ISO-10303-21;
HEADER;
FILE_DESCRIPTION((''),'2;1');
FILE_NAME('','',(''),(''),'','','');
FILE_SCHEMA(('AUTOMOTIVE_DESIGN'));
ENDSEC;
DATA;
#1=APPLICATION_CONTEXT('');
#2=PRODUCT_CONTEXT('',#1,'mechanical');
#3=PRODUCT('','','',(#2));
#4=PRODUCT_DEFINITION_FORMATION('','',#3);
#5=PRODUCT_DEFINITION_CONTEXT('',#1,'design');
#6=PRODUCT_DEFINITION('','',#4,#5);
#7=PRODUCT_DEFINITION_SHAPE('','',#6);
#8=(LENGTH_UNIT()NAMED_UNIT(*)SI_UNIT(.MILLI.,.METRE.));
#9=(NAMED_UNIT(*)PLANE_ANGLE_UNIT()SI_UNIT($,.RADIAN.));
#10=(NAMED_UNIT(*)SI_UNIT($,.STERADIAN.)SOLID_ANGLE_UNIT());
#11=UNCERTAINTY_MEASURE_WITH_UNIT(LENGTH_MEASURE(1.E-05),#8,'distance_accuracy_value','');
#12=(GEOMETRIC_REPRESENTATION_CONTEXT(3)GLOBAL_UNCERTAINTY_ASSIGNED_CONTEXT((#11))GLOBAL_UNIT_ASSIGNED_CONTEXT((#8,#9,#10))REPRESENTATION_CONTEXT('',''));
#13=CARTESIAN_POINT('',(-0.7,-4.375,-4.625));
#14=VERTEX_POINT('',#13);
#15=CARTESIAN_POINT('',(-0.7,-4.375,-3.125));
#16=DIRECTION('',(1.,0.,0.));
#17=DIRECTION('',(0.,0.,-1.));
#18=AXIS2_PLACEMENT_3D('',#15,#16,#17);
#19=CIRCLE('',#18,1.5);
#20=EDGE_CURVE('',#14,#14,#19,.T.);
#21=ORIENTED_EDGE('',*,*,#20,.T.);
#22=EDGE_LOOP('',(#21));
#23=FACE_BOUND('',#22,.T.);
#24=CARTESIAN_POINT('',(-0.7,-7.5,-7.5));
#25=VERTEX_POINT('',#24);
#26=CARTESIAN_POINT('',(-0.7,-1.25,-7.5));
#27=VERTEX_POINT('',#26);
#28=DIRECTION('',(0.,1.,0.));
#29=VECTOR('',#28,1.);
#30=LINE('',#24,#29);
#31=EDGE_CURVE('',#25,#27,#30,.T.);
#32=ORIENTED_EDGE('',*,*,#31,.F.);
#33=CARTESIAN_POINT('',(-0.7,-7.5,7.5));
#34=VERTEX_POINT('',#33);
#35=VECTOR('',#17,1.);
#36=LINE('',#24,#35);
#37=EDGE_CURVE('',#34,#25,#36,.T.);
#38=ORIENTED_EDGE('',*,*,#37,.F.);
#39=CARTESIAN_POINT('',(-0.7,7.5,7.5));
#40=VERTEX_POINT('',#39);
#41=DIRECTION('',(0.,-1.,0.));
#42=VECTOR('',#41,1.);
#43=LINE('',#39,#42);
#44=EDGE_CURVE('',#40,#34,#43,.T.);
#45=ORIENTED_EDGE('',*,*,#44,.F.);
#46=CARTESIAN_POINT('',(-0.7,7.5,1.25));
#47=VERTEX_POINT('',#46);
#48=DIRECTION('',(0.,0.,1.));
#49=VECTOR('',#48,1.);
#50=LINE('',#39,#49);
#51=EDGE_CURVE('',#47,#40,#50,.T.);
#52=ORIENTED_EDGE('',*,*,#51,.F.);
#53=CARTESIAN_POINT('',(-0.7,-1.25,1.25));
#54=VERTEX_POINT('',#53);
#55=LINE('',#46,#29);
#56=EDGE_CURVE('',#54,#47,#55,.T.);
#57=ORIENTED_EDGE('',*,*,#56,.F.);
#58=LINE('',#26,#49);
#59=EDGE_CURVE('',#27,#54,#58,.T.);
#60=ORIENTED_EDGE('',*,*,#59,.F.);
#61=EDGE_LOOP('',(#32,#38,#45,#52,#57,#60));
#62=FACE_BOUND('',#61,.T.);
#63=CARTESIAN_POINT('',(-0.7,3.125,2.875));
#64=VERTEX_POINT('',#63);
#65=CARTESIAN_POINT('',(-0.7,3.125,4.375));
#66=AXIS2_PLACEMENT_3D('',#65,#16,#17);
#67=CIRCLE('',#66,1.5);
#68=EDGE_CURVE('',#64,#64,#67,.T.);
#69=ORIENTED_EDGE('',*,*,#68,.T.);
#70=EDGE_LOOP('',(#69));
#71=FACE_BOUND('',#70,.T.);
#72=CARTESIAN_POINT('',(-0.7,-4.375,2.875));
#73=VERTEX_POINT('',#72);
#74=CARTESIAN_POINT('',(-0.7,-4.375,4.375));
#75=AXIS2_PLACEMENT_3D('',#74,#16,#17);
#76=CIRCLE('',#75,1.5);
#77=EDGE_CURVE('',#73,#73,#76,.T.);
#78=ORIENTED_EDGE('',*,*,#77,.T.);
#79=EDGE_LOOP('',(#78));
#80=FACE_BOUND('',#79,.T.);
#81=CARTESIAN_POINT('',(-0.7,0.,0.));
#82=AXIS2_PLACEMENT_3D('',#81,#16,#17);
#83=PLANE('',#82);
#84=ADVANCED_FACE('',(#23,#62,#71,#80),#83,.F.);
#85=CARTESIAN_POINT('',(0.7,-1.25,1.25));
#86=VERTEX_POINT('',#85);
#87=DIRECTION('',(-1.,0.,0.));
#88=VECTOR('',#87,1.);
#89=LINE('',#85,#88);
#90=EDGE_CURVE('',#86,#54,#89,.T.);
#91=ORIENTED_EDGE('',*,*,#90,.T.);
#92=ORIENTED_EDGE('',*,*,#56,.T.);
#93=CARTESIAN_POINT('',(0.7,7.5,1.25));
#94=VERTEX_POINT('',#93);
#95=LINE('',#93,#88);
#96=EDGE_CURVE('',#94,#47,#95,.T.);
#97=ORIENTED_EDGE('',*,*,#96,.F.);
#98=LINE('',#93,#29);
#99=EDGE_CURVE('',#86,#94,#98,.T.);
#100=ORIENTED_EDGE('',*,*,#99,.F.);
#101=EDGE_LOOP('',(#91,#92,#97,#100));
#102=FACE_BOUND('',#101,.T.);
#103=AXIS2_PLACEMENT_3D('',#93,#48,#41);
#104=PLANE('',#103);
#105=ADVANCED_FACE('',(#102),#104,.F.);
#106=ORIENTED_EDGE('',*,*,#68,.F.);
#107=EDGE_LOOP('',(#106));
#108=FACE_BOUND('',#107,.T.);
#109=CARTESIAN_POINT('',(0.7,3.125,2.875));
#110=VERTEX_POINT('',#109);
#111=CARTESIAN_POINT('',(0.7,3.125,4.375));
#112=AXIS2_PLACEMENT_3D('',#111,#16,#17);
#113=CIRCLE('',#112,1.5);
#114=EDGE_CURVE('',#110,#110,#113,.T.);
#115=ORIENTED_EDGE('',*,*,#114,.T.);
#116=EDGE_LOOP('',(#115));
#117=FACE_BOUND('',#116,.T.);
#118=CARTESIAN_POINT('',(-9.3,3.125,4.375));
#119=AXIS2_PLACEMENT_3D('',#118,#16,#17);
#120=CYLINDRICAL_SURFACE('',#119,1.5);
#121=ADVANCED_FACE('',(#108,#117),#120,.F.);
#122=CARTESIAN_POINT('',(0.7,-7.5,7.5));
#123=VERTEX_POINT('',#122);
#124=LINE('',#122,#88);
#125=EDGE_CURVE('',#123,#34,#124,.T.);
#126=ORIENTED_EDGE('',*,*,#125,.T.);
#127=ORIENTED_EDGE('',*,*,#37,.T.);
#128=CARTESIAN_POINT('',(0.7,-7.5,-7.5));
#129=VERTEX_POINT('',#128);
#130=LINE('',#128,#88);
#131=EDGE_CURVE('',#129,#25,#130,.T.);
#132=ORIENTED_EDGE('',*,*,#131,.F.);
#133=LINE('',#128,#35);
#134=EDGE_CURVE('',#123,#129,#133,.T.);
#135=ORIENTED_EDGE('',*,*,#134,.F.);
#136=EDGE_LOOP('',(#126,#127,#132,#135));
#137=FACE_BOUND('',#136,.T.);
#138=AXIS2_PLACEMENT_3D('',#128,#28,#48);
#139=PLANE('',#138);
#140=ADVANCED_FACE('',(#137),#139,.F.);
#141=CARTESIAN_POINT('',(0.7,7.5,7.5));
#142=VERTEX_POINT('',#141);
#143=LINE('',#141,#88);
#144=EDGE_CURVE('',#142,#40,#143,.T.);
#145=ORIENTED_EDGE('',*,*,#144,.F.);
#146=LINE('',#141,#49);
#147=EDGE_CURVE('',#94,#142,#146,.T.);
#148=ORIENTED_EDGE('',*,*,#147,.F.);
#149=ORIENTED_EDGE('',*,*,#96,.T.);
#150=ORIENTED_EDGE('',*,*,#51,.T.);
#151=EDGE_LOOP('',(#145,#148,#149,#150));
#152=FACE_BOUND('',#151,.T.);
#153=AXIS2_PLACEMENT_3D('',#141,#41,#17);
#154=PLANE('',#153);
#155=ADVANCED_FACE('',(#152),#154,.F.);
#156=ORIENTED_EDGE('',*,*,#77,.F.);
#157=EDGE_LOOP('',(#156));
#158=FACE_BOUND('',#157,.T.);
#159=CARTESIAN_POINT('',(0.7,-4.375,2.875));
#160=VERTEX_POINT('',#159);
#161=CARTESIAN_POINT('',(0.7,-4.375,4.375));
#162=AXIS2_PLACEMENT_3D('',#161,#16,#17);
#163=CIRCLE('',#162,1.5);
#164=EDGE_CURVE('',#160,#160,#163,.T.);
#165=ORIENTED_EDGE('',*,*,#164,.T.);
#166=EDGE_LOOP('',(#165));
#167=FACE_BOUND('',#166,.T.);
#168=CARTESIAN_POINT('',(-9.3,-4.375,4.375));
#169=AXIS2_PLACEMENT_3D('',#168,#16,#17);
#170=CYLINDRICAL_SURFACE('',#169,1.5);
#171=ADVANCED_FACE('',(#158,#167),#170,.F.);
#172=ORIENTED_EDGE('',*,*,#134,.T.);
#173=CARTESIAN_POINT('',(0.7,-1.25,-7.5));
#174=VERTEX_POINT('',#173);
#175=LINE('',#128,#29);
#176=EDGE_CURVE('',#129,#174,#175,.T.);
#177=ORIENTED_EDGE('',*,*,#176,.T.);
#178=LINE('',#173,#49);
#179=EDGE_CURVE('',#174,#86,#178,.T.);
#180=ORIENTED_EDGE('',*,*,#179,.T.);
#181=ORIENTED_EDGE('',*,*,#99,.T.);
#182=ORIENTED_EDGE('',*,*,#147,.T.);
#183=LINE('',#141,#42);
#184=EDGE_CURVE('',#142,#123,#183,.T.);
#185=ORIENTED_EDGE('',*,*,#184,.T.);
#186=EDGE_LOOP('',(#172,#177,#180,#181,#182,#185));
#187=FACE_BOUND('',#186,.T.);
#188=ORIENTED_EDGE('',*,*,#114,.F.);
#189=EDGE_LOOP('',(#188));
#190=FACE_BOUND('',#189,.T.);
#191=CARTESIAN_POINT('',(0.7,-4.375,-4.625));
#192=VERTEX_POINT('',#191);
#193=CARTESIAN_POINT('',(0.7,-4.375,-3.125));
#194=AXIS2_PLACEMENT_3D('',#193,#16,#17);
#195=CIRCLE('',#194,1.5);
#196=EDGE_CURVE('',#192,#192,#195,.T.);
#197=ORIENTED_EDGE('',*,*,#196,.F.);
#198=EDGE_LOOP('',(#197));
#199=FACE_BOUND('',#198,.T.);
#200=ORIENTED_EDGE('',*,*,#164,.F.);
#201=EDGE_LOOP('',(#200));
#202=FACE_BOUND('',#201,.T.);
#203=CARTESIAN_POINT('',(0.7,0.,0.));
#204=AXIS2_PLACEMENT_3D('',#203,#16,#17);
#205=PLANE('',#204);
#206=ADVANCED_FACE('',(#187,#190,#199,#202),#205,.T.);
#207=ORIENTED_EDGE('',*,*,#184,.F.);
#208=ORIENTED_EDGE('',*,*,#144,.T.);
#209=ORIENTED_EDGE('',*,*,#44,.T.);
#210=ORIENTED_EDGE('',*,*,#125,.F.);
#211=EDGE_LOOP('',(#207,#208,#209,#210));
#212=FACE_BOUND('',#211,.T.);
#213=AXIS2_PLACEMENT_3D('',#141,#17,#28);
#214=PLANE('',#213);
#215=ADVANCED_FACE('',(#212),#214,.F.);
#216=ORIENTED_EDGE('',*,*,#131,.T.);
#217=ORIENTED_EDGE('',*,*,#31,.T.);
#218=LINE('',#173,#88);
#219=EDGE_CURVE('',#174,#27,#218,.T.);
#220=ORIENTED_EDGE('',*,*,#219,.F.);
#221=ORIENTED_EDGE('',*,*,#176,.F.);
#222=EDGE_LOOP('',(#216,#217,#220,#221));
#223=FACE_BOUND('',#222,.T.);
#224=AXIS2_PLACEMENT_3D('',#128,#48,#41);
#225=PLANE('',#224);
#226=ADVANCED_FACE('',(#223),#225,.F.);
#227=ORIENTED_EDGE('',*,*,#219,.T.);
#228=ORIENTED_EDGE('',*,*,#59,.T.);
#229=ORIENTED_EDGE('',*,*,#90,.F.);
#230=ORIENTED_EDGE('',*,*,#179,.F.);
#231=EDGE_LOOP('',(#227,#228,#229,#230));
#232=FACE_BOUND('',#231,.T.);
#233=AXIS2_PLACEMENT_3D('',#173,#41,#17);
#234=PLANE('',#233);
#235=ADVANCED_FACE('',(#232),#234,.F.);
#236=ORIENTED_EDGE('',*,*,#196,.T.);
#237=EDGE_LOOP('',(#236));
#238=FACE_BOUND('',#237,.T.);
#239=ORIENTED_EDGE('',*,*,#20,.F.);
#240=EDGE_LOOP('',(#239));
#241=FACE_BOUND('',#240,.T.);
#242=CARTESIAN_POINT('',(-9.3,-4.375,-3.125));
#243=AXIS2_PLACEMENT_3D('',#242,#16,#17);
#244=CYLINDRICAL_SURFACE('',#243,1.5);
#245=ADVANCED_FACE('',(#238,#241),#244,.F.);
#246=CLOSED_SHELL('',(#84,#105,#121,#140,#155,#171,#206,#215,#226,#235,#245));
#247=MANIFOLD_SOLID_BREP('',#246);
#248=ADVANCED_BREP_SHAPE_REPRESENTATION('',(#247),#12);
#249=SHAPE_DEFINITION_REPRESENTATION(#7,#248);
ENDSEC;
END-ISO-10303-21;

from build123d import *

# Parameters (mm, degrees)
SALIENTE_EXTRUIR1_DEPTH = 0.7
CROQUIS2_R              = 1.5
CORTAR_EXTRUIR1_DEPTH   = 10


with BuildPart() as part:
    # Croquis1 → Saliente-Extruir1 (new, symmetric)
    with BuildSketch(Plane(origin=(0, 0, 0), x_dir=(0, 0, -1), z_dir=(1, 0, 0))):
        Polygon((-7.5, 7.5), (-7.5, -7.5), (7.5, -7.5), (7.5, -1.25), (-1.25, -1.25), (-1.25, 7.5), align=None)
    extrude(amount=SALIENTE_EXTRUIR1_DEPTH, both=True)

    # Croquis2 → Cortar-Extruir1 (cut, symmetric)
    with BuildSketch(Plane(origin=(0.7, 0, 0), x_dir=(0, 0, -1), z_dir=(1, 0, 0))):
        with Locations((-4.375, -4.375)):
            Circle(CROQUIS2_R)
        with Locations((-4.375, 3.125)):
            Circle(CROQUIS2_R)
        with Locations((3.125, -4.375)):
            Circle(CROQUIS2_R)
    extrude(amount=CORTAR_EXTRUIR1_DEPTH, both=True, mode=Mode.SUBTRACT)


solid = part.part
